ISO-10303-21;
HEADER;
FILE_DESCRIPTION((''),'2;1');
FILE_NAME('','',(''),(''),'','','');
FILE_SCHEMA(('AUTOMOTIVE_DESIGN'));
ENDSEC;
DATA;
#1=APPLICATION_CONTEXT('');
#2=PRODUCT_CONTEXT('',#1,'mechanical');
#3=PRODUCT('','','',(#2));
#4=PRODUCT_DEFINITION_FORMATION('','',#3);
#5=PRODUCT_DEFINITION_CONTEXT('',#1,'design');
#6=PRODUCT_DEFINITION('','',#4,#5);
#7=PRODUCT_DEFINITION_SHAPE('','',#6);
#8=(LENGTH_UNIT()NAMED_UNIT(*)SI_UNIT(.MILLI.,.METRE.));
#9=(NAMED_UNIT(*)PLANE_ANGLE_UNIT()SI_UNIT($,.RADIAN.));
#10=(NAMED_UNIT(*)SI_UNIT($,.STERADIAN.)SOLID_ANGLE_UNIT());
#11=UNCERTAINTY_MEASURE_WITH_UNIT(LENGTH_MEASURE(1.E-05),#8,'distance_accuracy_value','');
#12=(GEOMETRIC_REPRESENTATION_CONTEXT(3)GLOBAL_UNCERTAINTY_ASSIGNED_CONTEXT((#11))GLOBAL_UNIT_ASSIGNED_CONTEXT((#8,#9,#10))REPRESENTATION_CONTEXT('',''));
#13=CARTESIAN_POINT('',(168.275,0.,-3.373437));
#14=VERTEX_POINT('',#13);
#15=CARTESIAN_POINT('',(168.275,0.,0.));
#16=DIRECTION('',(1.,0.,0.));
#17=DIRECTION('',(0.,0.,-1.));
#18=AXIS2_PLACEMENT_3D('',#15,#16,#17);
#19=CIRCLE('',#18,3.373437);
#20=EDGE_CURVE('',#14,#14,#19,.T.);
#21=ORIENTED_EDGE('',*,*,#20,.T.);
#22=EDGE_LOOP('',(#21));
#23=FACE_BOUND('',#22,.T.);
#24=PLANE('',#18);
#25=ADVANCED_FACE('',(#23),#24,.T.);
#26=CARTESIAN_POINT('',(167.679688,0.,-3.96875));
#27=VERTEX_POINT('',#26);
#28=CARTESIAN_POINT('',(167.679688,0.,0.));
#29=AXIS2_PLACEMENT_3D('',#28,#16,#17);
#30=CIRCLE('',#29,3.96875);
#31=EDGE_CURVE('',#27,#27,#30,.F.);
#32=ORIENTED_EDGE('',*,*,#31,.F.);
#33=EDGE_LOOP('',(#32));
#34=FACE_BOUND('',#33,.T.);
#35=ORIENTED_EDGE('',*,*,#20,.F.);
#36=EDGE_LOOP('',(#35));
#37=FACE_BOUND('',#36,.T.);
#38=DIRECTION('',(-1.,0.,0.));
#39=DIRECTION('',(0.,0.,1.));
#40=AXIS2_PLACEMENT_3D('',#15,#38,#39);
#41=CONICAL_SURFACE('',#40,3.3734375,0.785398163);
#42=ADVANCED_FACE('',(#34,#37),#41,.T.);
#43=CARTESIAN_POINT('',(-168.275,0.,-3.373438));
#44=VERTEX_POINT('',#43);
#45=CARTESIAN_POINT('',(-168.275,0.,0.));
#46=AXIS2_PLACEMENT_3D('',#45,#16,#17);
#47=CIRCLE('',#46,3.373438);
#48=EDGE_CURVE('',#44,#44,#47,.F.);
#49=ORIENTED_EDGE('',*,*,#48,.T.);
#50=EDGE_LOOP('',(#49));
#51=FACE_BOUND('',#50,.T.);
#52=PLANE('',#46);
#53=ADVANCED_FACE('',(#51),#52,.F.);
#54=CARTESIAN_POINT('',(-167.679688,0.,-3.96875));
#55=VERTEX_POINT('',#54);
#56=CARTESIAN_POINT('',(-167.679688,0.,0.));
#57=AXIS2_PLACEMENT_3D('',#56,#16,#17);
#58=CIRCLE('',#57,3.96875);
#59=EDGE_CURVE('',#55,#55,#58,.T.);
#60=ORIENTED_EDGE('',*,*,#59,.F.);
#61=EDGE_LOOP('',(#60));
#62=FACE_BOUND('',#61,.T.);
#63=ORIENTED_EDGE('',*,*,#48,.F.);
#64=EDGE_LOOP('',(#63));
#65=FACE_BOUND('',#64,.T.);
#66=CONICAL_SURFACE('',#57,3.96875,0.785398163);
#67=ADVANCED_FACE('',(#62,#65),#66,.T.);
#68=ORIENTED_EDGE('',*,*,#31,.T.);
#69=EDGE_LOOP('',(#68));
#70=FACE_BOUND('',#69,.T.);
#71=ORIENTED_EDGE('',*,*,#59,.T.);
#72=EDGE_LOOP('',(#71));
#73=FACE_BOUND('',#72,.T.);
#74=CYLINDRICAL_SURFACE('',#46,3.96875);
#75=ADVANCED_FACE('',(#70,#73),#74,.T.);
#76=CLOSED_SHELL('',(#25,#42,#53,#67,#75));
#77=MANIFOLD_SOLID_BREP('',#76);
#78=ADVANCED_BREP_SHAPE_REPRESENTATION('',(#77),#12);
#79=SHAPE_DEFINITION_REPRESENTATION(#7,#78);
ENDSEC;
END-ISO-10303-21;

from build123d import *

# Parameters (mm, degrees)
SKETCH2_R                = 3.96875
BOSS_EXTRUDE1_DEPTH      = 168.275
BOSS_EXTRUDE1_DEPTH_BACK = 168.275
CHAMFER1_SIZE            = 0.5953125


with BuildPart() as part:
    # Sketch2 → Boss-Extrude1 (new body, two sides)
    with BuildSketch(Plane(origin=(0, 0, 0), x_dir=(0, 0, -1), z_dir=(1, 0, 0))) as boss_extrude1_sk:
        Circle(SKETCH2_R)
    extrude(amount=BOSS_EXTRUDE1_DEPTH)
    extrude(boss_extrude1_sk.sketch, amount=-BOSS_EXTRUDE1_DEPTH_BACK)

    # Chamfer1
    chamfer1_edges = [part.edges().sort_by_distance(p)[0] for p in [
        (-168.275, 0, 3.96875),
        (168.275, 0, 3.96875),
    ]]
    chamfer(chamfer1_edges, length=CHAMFER1_SIZE)


solid = part.part
